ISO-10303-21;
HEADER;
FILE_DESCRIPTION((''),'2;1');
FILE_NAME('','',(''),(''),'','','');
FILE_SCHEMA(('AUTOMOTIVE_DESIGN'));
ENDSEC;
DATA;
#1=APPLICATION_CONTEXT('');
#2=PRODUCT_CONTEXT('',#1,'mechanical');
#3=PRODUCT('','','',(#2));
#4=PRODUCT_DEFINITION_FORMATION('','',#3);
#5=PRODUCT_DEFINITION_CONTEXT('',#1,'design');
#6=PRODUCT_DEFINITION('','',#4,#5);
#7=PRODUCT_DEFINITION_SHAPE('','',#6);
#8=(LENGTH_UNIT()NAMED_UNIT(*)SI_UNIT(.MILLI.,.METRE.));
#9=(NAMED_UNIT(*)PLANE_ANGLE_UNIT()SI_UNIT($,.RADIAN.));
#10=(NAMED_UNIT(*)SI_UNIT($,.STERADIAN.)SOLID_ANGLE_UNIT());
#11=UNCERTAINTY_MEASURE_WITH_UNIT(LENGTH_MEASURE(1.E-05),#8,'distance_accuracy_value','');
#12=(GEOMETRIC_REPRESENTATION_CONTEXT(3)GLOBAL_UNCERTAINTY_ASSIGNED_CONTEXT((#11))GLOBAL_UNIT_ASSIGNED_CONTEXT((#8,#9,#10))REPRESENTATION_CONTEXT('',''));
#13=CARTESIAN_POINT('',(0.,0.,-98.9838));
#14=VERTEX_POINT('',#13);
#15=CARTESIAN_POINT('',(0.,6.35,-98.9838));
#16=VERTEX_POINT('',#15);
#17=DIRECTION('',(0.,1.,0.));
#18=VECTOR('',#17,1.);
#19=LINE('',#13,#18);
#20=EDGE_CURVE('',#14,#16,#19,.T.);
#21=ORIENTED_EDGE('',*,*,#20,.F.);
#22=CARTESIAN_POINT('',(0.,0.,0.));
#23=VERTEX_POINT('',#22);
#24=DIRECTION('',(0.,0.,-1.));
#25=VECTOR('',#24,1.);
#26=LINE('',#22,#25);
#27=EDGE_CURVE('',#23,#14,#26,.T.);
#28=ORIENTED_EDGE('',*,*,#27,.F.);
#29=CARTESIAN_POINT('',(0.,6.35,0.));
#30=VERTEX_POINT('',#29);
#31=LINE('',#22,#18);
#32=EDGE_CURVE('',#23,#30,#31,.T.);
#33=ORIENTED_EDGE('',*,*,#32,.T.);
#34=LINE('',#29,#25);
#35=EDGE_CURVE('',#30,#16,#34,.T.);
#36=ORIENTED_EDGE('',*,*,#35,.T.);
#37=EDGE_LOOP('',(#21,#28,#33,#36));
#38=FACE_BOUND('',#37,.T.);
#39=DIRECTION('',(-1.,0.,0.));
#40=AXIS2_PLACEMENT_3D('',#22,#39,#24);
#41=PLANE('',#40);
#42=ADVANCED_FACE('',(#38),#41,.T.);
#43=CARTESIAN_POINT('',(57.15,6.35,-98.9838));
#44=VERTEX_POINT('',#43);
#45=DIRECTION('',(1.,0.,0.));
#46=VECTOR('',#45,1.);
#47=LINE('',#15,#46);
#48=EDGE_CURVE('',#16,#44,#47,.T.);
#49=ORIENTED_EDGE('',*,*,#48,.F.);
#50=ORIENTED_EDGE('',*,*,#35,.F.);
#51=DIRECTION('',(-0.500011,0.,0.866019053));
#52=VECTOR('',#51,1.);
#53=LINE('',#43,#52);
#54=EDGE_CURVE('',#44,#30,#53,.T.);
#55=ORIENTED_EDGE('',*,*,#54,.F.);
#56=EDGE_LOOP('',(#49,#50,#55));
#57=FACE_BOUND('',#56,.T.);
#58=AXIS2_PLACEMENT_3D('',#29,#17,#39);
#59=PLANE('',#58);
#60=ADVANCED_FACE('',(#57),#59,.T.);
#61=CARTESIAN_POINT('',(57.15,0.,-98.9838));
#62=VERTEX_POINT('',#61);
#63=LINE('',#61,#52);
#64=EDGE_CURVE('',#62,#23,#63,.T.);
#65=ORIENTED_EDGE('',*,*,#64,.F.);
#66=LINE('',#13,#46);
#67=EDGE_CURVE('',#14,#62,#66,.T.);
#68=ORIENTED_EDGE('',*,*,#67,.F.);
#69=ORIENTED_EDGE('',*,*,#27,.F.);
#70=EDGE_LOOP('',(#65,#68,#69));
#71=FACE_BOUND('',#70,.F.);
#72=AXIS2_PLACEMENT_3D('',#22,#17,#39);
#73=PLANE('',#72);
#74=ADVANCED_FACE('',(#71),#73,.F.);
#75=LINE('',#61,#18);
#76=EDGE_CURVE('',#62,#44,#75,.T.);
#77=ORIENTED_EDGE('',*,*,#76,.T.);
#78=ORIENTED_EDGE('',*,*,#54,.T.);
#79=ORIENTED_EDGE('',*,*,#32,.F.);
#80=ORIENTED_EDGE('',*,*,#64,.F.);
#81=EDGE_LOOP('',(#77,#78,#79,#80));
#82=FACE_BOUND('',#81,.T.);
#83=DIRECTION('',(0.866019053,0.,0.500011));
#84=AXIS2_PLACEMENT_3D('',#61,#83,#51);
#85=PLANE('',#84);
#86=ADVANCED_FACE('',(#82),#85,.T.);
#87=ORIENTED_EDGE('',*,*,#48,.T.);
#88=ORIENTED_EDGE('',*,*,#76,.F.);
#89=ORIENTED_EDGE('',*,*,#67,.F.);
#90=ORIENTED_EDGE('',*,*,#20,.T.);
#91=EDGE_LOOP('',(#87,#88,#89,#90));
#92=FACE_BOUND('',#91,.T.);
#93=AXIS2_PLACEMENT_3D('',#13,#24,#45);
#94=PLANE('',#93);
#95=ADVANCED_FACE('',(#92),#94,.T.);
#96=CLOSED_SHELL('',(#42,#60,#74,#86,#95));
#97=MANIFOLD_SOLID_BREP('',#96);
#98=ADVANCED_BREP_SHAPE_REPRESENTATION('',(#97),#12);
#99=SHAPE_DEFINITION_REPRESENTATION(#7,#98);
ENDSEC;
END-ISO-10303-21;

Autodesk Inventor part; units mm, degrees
ref_plane "YZ Plane" through (0, 0, 0) normal (1, 0, 0) x (0, 1, 0)
ref_plane "XZ Plane" through (0, 0, 0) normal (0, 1, 0) x (-1, 0, 0)
ref_plane "XY Plane" through (0, 0, 0) normal (0, 0, 1) x (1, 0, 0)
sketch "Sketch1" plane through (0, 0, 0) normal (0, 1, 0) x (-1, 0, 0)
  line L0 (0, 0) -> (0, -98.9838)
  line L1 (0, -98.9838) -> (-57.15, -98.9838)
  line L2 (-57.15, -98.9838) -> (0, 0)
  dimension "d0" = 98.9838
  dimension "d1" = 57.15
extrude "Extrusion1" add sketch "Sketch1" along normal blind 6.35
properties part number "Triangle_Ocampo"
